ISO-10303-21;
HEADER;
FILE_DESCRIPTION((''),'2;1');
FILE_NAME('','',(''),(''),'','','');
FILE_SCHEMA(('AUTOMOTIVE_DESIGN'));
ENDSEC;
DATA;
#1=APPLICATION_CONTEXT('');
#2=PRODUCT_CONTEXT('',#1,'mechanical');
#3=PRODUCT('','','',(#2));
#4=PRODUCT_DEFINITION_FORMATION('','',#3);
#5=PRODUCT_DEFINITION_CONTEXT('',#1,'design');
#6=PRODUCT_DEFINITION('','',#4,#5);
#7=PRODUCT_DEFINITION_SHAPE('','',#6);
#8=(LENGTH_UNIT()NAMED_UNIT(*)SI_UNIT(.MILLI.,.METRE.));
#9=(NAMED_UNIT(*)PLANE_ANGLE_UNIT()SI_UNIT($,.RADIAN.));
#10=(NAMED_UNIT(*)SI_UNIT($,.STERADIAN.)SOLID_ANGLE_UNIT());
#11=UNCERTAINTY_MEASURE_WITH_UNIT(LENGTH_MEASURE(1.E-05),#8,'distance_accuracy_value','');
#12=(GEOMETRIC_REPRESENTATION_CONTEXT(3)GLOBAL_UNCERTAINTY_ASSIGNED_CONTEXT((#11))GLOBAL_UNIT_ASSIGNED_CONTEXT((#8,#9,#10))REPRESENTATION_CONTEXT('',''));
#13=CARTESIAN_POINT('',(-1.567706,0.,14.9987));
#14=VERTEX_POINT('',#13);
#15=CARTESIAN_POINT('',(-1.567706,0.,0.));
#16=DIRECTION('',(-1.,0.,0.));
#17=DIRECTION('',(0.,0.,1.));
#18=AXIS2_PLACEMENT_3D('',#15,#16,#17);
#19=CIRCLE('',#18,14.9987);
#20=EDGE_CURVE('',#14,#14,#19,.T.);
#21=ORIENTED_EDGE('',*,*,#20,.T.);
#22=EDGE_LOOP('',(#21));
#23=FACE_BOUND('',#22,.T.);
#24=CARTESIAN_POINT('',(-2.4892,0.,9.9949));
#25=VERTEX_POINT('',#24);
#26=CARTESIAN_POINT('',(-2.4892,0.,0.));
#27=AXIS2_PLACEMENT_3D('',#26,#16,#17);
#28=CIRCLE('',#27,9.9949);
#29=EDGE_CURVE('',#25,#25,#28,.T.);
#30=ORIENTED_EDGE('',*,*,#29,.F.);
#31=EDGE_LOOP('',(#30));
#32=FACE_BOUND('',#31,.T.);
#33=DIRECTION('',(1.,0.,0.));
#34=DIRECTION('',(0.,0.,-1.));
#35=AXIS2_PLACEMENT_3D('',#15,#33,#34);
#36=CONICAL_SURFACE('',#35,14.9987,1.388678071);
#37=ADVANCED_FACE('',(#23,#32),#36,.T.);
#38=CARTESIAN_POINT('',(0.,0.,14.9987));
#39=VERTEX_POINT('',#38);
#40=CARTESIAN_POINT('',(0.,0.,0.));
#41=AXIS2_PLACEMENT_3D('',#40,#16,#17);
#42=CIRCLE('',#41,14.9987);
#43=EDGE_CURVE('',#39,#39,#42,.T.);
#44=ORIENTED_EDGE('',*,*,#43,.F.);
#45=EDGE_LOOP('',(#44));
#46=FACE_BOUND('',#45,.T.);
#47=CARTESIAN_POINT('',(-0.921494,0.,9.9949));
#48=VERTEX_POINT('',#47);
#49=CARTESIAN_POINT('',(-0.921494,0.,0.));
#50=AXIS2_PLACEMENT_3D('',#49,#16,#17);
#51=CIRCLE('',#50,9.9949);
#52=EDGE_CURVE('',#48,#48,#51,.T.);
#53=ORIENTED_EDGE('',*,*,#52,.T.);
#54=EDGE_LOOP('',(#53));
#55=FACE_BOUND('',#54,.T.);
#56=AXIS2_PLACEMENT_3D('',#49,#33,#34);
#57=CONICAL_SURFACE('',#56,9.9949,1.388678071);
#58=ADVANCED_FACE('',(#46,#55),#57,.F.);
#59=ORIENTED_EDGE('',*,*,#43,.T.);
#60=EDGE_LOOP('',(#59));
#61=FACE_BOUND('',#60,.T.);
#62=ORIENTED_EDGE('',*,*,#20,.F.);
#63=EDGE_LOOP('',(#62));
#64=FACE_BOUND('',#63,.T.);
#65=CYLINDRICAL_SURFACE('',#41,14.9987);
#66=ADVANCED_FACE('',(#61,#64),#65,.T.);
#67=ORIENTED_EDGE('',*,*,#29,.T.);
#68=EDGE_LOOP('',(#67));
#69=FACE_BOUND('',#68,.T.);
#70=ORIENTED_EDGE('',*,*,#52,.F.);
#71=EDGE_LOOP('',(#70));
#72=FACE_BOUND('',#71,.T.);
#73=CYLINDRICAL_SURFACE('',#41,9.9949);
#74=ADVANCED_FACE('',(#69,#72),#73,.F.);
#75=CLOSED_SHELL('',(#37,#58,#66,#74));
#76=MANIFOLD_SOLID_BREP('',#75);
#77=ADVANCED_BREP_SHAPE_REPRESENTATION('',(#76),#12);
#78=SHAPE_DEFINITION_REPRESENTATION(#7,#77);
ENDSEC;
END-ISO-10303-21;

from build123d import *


with BuildPart() as part:
    # Sketch1 → Revolve1 (revolve)
    with BuildSketch(Plane.XY, mode=Mode.PRIVATE) as revolve1_sk:
        Polygon((-2.4892, 9.9949), (-1.567706327, 14.9987), (0, 14.9987), (-0.921493673, 9.9949), align=None)
    revolve(revolve1_sk.sketch.rotate(Axis((0, 0, 0), (1, 0, 0)), 90), axis=Axis((0, 0, 0), (1, 0, 0)))


solid = part.part
